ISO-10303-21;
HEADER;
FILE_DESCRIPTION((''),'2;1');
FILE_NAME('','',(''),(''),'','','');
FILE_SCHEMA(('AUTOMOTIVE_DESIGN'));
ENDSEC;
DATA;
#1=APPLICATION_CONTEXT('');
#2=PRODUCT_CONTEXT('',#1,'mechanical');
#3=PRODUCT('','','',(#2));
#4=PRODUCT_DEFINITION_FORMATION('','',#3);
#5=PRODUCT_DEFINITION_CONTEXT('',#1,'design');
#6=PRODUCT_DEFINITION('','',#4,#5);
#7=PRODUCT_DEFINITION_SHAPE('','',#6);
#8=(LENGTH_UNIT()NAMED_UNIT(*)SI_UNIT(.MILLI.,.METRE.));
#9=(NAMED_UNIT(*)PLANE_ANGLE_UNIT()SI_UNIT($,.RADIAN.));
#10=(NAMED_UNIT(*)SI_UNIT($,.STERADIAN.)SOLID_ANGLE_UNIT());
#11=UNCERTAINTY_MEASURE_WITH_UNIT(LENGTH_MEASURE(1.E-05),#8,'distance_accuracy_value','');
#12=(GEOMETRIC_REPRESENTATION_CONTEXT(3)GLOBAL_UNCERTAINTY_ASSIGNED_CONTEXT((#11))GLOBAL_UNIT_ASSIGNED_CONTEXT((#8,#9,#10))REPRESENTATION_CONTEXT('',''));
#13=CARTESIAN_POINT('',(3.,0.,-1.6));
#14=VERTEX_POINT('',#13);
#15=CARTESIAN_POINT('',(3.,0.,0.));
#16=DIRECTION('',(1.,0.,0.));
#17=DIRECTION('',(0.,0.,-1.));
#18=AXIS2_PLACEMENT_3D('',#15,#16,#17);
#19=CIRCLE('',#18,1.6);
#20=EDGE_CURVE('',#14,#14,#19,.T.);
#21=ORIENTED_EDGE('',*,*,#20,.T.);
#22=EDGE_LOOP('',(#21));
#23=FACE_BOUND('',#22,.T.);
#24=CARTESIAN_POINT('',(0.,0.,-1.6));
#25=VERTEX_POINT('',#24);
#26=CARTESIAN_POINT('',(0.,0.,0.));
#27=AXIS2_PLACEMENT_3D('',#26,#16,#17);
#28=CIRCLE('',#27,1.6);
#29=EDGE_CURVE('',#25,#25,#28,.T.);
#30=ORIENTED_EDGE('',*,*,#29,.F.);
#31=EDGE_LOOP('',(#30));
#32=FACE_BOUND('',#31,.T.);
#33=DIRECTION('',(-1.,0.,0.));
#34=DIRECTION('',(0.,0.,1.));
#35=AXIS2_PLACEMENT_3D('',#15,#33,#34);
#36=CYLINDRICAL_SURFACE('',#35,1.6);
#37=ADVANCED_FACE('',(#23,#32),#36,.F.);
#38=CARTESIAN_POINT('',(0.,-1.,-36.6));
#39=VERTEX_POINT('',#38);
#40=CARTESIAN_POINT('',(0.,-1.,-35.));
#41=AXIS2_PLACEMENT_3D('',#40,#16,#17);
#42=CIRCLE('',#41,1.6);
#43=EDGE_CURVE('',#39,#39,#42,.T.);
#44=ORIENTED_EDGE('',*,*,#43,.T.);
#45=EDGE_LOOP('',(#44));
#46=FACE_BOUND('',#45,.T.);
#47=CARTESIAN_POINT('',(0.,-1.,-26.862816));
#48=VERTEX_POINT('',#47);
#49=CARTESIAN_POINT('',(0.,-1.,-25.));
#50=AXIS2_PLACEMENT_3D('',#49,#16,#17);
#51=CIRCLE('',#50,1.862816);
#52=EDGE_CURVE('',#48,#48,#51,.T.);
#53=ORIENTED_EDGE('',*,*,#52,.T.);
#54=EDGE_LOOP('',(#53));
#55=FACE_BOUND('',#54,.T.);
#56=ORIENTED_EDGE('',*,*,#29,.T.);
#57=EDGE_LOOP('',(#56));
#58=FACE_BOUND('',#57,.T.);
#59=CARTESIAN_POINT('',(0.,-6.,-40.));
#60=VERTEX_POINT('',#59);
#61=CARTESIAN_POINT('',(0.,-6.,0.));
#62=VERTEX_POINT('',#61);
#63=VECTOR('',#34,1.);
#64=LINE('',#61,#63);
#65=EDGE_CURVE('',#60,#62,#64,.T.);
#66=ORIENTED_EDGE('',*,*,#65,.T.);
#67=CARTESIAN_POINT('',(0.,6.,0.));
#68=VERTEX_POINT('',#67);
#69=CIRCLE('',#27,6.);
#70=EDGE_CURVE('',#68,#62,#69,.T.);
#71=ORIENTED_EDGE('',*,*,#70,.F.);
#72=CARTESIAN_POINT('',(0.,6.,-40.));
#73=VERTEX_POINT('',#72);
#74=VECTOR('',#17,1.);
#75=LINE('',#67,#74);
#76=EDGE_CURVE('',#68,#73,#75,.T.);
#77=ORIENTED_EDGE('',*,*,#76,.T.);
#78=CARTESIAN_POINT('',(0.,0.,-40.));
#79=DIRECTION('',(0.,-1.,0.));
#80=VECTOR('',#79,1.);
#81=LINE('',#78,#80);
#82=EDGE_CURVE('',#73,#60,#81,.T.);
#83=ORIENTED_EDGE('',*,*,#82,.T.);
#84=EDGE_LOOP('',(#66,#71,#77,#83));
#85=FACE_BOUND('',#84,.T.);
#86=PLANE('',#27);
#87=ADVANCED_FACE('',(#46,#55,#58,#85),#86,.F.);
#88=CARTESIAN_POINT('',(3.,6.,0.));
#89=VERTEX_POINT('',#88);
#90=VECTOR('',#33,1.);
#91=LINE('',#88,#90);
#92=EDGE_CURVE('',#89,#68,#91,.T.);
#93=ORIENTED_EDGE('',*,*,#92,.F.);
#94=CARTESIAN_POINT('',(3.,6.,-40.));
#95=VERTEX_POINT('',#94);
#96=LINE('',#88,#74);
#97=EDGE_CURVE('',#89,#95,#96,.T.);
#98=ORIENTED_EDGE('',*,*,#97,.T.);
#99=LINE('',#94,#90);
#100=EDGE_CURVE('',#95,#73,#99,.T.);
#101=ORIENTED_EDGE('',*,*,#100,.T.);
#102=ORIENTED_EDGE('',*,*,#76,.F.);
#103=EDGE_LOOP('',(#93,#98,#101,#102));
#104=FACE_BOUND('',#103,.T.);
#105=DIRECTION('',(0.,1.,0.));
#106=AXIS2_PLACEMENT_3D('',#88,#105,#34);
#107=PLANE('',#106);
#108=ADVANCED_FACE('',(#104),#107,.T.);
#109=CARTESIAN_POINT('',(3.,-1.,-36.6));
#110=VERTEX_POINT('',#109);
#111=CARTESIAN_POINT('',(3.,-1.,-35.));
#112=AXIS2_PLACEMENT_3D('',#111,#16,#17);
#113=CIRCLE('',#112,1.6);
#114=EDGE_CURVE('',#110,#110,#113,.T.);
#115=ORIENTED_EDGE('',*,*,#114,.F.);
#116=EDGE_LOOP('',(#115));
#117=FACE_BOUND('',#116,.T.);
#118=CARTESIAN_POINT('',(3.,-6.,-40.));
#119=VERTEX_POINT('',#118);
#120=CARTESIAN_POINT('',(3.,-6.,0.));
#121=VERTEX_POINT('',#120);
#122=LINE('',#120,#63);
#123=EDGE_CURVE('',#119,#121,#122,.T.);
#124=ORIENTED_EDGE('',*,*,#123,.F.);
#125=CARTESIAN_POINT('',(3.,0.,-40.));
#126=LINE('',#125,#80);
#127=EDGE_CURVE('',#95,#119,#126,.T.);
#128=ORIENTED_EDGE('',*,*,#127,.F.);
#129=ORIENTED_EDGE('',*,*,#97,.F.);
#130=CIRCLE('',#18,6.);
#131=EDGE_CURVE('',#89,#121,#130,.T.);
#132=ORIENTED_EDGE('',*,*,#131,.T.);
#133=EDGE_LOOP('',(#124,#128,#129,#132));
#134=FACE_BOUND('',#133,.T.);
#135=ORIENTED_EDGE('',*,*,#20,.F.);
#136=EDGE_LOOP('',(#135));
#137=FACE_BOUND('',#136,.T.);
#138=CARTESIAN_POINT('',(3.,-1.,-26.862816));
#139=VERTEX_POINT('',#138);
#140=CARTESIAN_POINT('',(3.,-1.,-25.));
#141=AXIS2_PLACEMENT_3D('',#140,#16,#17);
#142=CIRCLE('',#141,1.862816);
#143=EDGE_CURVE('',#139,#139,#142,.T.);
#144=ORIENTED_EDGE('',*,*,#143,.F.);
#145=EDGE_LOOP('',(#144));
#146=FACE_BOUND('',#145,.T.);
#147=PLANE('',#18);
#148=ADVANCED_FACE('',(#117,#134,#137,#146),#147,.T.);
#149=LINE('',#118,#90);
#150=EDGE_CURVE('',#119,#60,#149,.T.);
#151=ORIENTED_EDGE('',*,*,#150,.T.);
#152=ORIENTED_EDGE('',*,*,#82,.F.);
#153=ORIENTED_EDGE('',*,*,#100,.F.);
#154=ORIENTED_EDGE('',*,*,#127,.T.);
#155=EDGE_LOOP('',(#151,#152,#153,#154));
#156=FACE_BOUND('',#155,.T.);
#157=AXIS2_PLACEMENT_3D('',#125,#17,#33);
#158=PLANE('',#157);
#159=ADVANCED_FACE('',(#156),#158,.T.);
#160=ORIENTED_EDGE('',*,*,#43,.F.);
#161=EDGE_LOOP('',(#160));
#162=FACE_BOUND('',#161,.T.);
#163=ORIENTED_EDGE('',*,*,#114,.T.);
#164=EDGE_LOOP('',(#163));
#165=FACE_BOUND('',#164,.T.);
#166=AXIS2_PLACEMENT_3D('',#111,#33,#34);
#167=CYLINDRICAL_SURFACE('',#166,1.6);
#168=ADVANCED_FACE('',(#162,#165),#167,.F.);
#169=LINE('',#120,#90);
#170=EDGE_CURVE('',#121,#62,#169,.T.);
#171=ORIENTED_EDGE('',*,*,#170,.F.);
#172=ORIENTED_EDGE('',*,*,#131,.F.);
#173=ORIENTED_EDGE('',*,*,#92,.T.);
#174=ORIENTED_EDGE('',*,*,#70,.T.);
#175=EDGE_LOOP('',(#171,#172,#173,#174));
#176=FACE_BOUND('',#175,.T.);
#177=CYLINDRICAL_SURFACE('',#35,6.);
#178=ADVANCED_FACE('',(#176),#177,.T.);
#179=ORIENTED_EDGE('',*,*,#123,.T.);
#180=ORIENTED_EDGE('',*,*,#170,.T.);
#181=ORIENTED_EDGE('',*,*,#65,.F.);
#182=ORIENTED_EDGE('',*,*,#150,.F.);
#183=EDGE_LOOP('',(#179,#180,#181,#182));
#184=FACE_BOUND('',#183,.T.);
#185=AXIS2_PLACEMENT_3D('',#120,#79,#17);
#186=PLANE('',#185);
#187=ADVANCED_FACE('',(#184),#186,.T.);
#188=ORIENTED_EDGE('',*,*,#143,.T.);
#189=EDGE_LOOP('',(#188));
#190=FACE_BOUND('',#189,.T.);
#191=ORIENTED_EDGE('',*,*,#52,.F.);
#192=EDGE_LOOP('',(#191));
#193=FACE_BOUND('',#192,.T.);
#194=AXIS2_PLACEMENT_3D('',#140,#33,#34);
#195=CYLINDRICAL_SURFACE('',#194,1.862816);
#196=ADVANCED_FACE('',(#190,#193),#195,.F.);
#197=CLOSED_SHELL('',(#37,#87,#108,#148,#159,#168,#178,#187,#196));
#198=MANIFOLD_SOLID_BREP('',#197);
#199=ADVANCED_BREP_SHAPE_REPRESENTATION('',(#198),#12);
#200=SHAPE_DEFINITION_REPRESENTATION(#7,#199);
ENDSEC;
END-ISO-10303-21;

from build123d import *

# Parameters (mm, degrees)
SKETCH1_R           = 1.862815958
SKETCH1_R_2         = 1.6
BOSS_EXTRUDE1_DEPTH = 3


with BuildPart() as part:
    # Sketch1 → Boss-Extrude1 (new body)
    with BuildSketch(Plane(origin=(0, 0, 0), x_dir=(0, 0, -1), z_dir=(1, 0, 0))):
        with BuildLine():
            Line((40, 6), (0, 6))
            ThreePointArc((0, 6), (-6, 0), (0, -6))
            Line((0, -6), (40, -6))
            Line((40, -6), (40, 6))
        make_face()
        with Locations((25, -1)):
            Circle(SKETCH1_R, mode=Mode.SUBTRACT)
        with Locations((35, -1)):
            Circle(SKETCH1_R_2, mode=Mode.SUBTRACT)
        Circle(SKETCH1_R_2, mode=Mode.SUBTRACT)
    extrude(amount=BOSS_EXTRUDE1_DEPTH)


solid = part.part
